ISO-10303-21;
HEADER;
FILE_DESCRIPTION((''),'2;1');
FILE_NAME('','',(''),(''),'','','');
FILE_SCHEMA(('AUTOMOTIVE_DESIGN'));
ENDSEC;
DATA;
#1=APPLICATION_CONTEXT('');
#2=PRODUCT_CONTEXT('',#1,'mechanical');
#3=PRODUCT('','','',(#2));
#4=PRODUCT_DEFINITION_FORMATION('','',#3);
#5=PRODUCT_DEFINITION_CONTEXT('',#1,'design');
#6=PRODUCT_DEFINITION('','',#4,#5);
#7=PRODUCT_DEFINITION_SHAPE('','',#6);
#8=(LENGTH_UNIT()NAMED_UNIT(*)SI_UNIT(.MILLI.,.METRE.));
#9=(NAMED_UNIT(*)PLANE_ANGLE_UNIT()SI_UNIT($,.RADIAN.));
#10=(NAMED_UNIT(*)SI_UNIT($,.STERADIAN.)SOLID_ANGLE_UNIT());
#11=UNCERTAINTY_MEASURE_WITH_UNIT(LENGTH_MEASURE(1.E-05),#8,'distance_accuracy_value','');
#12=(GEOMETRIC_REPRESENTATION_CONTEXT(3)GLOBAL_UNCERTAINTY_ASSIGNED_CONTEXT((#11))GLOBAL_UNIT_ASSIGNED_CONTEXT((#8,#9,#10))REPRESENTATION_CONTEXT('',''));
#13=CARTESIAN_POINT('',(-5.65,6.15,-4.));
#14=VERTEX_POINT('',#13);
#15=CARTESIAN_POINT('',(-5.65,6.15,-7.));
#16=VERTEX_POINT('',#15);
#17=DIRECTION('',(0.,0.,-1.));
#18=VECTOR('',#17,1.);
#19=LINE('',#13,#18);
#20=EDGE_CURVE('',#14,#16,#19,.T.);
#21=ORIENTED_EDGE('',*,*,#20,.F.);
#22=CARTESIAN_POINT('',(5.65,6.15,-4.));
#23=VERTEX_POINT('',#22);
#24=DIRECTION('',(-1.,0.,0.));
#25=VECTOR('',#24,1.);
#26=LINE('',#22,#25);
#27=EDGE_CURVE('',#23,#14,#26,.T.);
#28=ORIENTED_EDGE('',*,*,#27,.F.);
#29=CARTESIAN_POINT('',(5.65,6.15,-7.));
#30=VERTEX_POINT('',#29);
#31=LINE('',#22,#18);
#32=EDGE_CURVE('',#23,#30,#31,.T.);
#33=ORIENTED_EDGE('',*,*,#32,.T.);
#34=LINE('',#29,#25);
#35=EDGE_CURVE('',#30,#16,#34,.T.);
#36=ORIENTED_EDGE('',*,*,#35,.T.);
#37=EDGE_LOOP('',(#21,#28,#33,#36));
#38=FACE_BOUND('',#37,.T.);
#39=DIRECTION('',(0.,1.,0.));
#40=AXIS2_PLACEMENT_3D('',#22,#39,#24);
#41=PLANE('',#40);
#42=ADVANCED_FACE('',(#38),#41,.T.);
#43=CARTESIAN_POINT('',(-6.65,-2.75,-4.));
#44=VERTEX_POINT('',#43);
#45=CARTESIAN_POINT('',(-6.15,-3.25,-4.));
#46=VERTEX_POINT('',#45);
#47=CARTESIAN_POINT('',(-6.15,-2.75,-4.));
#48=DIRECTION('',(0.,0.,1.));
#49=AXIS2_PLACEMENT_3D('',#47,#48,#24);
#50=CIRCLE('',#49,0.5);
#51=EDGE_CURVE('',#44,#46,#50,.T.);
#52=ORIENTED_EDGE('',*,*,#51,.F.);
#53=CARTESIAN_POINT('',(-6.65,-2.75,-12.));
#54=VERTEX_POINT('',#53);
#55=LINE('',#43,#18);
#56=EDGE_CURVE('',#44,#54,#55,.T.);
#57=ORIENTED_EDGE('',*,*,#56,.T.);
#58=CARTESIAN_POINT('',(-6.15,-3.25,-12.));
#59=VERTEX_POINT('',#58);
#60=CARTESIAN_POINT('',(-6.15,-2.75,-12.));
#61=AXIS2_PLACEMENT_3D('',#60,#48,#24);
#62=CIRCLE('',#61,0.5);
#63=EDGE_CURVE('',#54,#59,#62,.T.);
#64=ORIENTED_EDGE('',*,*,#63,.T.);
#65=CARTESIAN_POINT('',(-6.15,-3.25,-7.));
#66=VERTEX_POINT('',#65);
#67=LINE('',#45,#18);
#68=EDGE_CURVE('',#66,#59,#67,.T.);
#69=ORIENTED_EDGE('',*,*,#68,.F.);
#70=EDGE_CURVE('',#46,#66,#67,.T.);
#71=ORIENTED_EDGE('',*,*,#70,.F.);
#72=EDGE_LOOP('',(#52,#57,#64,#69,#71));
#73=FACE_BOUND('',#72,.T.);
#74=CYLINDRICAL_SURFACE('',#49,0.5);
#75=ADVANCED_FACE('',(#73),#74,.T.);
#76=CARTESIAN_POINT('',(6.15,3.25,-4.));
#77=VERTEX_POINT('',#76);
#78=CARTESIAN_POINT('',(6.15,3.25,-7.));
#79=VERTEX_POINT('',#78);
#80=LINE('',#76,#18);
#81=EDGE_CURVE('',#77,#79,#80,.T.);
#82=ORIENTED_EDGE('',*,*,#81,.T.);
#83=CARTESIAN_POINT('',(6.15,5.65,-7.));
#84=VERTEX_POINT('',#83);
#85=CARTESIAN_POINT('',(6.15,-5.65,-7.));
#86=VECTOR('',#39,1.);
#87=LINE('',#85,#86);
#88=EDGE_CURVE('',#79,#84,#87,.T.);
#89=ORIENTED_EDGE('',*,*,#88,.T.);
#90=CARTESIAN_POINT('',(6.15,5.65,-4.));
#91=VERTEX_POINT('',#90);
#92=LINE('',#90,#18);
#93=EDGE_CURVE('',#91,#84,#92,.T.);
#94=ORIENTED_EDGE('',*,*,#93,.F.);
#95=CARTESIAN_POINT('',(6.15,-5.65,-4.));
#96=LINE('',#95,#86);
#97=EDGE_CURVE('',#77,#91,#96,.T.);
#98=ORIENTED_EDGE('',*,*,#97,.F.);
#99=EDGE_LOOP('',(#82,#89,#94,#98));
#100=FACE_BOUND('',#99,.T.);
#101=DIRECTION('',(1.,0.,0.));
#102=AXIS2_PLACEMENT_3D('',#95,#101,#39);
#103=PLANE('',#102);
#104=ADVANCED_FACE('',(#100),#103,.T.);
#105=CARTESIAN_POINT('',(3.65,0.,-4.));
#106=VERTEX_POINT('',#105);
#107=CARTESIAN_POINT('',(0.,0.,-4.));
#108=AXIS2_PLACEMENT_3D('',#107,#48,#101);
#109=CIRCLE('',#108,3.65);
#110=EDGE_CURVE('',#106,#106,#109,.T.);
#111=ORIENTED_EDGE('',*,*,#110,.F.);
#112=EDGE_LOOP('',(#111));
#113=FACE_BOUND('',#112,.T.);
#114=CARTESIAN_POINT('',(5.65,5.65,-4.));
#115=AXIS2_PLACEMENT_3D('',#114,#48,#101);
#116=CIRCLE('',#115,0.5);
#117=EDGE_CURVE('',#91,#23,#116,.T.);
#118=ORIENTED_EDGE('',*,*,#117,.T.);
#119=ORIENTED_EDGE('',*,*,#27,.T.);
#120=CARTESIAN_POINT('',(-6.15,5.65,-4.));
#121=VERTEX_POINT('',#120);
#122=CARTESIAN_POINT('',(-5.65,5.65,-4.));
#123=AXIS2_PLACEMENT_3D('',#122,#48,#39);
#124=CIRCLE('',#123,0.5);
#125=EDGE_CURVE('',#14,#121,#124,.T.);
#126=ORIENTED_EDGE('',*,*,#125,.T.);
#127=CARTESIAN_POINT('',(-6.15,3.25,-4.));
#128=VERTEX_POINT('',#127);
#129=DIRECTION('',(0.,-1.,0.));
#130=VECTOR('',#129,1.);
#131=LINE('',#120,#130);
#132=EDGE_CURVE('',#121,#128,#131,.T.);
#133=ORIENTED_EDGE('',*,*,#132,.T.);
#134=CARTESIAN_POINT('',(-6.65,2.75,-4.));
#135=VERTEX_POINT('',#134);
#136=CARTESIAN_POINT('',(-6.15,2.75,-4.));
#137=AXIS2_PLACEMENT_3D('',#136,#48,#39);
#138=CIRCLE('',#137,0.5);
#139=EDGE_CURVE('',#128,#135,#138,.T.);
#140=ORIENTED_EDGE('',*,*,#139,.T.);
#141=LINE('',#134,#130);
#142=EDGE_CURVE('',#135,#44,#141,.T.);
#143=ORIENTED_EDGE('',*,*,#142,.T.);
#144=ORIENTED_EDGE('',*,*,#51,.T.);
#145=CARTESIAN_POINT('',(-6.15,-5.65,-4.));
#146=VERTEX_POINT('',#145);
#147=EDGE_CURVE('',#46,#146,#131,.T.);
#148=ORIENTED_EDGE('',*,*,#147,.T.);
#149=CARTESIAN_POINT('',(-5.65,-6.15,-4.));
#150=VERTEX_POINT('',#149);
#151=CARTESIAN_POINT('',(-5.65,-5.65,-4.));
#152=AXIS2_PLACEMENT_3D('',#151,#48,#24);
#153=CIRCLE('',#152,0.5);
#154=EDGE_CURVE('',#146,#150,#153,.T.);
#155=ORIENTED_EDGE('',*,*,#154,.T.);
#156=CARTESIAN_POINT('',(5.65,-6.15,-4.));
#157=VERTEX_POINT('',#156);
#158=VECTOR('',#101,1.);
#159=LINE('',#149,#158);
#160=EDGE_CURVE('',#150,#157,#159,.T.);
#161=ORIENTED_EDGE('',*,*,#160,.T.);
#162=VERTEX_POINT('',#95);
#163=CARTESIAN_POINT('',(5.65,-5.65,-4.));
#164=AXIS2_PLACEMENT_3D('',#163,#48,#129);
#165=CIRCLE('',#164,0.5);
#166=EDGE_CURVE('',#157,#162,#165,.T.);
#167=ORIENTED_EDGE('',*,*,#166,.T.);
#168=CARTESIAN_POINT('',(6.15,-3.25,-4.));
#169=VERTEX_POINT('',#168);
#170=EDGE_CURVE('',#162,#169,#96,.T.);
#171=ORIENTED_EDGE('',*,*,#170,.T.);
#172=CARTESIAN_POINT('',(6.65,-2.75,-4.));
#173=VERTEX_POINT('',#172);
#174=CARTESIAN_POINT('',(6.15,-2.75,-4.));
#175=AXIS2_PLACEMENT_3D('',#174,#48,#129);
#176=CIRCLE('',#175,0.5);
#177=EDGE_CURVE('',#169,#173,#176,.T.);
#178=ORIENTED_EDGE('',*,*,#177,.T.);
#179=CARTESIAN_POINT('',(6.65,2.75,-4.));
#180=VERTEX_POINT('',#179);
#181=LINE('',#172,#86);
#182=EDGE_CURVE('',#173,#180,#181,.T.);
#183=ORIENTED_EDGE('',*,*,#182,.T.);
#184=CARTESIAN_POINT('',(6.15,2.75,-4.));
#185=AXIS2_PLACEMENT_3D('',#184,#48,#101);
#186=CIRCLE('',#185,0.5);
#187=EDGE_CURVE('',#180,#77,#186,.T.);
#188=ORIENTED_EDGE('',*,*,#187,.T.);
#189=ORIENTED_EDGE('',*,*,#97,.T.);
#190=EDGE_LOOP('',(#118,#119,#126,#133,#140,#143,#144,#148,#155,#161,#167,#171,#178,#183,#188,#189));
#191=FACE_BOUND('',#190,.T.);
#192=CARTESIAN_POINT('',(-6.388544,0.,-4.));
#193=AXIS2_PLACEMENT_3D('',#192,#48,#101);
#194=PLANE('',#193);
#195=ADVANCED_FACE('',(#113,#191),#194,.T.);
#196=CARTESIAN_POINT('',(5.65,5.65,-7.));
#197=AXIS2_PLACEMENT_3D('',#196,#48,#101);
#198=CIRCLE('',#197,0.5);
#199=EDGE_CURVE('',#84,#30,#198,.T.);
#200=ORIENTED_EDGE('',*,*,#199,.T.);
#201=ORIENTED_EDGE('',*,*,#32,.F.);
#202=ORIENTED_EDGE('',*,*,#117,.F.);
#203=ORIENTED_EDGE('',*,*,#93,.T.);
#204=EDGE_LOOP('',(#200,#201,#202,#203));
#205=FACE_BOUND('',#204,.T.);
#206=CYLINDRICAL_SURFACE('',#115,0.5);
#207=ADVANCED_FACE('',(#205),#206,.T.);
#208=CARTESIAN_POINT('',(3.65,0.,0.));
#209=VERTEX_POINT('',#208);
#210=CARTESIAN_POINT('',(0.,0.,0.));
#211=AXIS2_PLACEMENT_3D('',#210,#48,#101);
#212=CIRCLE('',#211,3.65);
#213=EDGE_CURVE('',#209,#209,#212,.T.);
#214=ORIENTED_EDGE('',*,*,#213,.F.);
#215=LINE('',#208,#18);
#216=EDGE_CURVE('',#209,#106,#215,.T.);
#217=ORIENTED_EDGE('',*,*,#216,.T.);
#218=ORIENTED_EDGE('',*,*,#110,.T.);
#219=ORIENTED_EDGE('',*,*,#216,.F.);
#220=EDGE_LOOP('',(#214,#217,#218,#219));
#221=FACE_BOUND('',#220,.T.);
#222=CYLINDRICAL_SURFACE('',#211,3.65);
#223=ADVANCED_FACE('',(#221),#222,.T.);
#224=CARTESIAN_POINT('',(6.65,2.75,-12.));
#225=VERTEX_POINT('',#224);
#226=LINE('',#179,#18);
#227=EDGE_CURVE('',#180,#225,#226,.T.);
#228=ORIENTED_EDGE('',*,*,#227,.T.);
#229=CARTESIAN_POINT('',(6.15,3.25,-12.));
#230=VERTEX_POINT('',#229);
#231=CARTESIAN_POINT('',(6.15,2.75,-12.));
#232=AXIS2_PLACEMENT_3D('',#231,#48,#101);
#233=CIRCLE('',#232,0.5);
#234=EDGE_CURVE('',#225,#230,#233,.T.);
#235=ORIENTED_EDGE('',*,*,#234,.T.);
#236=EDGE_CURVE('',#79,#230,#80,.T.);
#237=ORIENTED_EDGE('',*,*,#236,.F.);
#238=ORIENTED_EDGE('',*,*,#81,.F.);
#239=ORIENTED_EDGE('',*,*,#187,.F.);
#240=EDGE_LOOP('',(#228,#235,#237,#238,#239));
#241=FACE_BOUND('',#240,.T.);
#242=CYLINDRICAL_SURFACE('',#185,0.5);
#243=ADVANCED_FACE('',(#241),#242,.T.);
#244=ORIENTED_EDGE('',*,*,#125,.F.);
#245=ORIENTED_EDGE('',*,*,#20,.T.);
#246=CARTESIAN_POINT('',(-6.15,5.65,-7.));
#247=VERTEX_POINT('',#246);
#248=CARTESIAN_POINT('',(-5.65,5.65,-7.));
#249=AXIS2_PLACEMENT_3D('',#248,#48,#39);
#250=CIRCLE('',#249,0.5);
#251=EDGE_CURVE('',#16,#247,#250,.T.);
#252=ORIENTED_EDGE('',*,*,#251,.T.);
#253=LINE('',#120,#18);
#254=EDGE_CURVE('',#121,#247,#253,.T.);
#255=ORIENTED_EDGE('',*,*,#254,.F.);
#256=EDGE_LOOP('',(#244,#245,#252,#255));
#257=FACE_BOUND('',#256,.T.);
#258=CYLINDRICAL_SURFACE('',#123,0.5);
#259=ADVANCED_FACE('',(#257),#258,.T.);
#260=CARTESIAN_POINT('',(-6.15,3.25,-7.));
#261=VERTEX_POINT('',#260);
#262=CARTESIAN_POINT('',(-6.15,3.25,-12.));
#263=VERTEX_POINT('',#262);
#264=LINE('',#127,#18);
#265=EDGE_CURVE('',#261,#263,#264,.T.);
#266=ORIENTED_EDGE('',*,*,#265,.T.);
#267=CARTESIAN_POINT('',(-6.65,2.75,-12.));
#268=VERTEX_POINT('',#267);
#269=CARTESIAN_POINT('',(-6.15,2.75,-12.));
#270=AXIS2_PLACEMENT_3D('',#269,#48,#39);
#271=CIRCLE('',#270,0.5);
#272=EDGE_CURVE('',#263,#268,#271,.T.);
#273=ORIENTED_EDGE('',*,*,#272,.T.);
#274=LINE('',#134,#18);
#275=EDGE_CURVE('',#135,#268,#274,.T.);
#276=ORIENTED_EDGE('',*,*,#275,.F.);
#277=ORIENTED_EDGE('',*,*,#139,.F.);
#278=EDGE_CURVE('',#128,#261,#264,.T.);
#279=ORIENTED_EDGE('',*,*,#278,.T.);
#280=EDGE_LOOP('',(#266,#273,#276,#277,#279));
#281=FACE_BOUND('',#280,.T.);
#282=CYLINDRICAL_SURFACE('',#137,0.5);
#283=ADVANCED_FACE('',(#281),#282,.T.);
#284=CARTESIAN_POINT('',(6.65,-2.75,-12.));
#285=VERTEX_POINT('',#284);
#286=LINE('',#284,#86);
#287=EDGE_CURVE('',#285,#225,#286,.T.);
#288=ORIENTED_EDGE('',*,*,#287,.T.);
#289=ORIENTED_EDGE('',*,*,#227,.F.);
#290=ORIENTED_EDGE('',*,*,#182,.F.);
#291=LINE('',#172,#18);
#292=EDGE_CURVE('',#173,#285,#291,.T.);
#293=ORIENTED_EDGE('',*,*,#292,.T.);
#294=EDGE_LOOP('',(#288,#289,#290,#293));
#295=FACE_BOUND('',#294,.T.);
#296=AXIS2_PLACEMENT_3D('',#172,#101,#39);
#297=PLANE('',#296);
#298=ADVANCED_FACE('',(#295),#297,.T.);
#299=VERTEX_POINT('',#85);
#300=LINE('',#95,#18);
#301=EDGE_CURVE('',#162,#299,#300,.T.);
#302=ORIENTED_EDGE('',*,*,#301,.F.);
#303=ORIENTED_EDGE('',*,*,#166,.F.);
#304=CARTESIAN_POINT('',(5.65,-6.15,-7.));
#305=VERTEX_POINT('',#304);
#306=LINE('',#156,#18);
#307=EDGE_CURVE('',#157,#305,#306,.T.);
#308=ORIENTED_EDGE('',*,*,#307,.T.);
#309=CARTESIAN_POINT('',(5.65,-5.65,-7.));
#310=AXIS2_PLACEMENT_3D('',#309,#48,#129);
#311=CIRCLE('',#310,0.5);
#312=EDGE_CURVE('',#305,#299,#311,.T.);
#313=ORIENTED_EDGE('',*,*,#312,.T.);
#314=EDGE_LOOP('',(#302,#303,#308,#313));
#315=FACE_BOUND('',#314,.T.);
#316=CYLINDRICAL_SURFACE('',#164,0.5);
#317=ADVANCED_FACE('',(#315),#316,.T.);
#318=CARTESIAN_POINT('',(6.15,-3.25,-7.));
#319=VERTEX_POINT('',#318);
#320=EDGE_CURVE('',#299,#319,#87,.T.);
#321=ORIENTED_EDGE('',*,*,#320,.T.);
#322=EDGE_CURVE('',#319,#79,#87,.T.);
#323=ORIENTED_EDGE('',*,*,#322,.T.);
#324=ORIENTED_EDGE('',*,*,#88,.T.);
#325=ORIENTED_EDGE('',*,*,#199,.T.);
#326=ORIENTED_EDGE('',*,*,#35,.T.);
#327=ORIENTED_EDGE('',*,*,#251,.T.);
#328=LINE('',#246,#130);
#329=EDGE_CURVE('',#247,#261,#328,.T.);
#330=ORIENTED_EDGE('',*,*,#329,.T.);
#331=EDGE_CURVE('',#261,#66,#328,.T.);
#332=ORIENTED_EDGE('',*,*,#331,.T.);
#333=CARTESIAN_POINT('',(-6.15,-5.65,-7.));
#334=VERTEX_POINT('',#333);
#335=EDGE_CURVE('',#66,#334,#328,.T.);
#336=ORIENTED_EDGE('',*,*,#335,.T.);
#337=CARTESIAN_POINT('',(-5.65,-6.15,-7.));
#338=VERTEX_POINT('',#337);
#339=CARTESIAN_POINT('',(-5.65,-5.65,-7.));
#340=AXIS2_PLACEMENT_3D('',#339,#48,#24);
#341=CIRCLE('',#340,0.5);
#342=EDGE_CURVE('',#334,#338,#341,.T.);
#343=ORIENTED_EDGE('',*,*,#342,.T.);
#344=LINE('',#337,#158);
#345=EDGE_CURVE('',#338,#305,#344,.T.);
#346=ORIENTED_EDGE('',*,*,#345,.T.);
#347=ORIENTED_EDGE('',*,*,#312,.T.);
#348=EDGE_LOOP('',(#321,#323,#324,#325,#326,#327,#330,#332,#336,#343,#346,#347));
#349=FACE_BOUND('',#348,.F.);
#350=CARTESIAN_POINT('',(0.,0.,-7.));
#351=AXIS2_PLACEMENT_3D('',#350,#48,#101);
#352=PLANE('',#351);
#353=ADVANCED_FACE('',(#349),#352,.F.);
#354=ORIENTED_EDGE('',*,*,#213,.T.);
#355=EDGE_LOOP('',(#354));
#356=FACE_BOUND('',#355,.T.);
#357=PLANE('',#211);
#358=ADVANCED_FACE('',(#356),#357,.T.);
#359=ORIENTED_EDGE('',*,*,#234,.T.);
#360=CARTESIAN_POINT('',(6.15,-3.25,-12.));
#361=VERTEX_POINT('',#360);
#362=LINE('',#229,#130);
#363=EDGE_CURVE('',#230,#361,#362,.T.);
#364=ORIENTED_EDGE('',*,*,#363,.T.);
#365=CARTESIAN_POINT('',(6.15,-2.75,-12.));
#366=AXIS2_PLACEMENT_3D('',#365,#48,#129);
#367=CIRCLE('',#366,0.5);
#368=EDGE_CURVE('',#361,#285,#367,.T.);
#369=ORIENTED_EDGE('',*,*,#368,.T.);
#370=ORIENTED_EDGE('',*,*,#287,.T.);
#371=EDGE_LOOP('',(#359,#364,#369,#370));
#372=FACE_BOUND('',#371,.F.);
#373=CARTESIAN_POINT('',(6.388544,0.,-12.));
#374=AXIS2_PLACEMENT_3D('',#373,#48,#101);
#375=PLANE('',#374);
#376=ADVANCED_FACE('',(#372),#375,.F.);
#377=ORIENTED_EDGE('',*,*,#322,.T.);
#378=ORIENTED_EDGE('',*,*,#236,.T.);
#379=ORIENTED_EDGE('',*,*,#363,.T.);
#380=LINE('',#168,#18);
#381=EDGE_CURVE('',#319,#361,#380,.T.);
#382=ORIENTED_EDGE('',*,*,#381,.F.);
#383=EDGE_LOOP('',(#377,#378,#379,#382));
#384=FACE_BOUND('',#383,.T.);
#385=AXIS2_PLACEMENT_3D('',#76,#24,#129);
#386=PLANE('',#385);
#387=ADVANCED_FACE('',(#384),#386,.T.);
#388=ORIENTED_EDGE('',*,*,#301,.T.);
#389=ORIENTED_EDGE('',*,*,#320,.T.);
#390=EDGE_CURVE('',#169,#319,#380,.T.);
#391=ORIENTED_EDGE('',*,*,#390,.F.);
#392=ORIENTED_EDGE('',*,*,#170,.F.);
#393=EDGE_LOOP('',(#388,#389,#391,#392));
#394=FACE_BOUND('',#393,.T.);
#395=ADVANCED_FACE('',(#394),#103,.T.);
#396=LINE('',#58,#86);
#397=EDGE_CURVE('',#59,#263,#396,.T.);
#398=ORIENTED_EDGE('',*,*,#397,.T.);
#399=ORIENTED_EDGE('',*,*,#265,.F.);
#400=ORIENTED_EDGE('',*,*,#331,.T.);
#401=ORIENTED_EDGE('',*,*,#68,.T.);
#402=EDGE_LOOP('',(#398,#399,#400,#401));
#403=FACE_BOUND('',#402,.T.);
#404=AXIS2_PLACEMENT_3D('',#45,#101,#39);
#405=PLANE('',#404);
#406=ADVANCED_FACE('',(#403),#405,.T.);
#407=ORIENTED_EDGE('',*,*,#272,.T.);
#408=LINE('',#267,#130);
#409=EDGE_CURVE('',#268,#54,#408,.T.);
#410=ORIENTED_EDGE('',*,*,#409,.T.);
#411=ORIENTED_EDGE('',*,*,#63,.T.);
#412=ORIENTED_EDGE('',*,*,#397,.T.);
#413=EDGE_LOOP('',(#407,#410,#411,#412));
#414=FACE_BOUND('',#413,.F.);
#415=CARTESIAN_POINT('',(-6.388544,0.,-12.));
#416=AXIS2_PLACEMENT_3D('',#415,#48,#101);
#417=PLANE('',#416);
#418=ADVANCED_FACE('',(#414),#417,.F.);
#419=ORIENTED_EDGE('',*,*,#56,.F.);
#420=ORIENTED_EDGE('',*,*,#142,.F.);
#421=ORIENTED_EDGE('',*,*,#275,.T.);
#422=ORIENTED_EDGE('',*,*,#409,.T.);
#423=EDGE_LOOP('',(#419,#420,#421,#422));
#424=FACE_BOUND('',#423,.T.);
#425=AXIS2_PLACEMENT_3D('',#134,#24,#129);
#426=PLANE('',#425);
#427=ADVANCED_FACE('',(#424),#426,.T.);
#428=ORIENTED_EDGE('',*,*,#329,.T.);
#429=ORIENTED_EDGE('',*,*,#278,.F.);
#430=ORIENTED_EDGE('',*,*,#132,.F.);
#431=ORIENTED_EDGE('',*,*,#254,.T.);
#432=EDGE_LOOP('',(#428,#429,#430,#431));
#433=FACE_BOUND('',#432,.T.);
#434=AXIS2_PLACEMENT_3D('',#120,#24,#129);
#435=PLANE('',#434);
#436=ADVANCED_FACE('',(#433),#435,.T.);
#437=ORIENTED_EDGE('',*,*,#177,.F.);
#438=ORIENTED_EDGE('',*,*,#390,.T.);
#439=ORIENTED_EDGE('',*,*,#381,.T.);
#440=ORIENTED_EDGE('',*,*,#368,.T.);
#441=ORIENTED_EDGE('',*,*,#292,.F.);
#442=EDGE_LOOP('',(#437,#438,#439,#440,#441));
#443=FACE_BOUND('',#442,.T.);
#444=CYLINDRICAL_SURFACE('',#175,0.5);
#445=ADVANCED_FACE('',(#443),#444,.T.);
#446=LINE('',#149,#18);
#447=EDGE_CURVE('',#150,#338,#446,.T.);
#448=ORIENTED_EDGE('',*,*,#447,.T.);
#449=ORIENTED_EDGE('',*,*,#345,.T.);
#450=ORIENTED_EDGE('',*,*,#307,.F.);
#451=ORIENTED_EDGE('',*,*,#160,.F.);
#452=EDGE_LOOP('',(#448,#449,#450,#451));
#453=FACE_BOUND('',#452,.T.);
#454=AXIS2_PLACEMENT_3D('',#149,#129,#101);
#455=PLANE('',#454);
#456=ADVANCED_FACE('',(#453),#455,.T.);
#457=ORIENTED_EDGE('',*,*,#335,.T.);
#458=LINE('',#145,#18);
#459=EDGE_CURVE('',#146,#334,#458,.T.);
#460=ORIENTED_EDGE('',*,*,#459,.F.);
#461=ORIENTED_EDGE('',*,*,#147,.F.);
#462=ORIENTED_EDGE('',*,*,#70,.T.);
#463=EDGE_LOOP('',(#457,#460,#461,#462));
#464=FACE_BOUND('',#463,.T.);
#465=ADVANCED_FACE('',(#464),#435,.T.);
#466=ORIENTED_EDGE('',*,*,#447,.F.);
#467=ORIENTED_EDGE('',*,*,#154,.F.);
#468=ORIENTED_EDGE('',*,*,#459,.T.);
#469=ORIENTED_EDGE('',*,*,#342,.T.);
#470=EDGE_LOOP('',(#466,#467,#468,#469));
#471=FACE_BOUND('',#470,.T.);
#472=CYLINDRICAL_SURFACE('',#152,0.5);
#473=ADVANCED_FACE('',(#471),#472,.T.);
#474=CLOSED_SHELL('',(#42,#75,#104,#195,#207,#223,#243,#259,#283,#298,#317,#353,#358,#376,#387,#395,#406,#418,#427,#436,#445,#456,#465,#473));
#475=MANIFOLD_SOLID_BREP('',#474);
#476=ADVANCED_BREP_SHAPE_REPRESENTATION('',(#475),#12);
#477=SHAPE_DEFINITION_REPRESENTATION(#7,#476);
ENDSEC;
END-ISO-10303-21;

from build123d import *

# Parameters (mm, degrees)
F0_R     = 3.65
F1_DEPTH = 7
F2_START = -4
F2_DEPTH = 3
F3_START = -4
F3_DEPTH = 8


with BuildPart() as f1:
    # F0 (on Top) → F1 (new body)
    with BuildSketch(Plane.XY):
        Circle(F0_R)
    extrude(amount=-F1_DEPTH)

    # F0 (on Top) → F2 (join)
    with BuildSketch(Plane.XY.offset(F2_START)):
        with BuildLine():
            ThreePointArc((-6.15, -5.65), (-6.0035533906, -6.0035533906), (-5.65, -6.15))
            Line((-5.65, -6.15), (5.65, -6.15))
            ThreePointArc((5.65, -6.15), (6.0035533906, -6.0035533906), (6.15, -5.65))
            Line((6.15, -5.65), (6.15, -3.25))
            Line((6.15, -3.25), (6.15, 3.25))
            Line((6.15, 3.25), (6.15, 5.65))
            ThreePointArc((6.15, 5.65), (6.0035533906, 6.0035533906), (5.65, 6.15))
            Line((5.65, 6.15), (-5.65, 6.15))
            ThreePointArc((-5.65, 6.15), (-6.0035533906, 6.0035533906), (-6.15, 5.65))
            Line((-6.15, 5.65), (-6.15, 3.25))
            Line((-6.15, 3.25), (-6.15, -3.25))
            Line((-6.15, -3.25), (-6.15, -5.65))
        make_face()
        Circle(F0_R, mode=Mode.SUBTRACT)
    extrude(amount=-F2_DEPTH)

    # F0 (on Top) → F3 (join)
    with BuildSketch(Plane.XY.offset(F3_START)):
        with BuildLine():
            ThreePointArc((-6.65, -2.75), (-6.5035533906, -3.1035533906), (-6.15, -3.25))
            Line((-6.15, -3.25), (-6.15, 3.25))
            ThreePointArc((-6.15, 3.25), (-6.5035533906, 3.1035533906), (-6.65, 2.75))
            Line((-6.65, 2.75), (-6.65, 0))
            Line((-6.65, 0), (-6.65, -2.75))
        make_face()
        with BuildLine():
            Line((6.15, 3.25), (6.15, -3.25))
            ThreePointArc((6.15, -3.25), (6.5035533906, -3.1035533906), (6.65, -2.75))
            Line((6.65, -2.75), (6.65, 0))
            Line((6.65, 0), (6.65, 2.75))
            ThreePointArc((6.65, 2.75), (6.5035533906, 3.1035533906), (6.15, 3.25))
        make_face()
    extrude(amount=-F3_DEPTH)


solid = f1.part
